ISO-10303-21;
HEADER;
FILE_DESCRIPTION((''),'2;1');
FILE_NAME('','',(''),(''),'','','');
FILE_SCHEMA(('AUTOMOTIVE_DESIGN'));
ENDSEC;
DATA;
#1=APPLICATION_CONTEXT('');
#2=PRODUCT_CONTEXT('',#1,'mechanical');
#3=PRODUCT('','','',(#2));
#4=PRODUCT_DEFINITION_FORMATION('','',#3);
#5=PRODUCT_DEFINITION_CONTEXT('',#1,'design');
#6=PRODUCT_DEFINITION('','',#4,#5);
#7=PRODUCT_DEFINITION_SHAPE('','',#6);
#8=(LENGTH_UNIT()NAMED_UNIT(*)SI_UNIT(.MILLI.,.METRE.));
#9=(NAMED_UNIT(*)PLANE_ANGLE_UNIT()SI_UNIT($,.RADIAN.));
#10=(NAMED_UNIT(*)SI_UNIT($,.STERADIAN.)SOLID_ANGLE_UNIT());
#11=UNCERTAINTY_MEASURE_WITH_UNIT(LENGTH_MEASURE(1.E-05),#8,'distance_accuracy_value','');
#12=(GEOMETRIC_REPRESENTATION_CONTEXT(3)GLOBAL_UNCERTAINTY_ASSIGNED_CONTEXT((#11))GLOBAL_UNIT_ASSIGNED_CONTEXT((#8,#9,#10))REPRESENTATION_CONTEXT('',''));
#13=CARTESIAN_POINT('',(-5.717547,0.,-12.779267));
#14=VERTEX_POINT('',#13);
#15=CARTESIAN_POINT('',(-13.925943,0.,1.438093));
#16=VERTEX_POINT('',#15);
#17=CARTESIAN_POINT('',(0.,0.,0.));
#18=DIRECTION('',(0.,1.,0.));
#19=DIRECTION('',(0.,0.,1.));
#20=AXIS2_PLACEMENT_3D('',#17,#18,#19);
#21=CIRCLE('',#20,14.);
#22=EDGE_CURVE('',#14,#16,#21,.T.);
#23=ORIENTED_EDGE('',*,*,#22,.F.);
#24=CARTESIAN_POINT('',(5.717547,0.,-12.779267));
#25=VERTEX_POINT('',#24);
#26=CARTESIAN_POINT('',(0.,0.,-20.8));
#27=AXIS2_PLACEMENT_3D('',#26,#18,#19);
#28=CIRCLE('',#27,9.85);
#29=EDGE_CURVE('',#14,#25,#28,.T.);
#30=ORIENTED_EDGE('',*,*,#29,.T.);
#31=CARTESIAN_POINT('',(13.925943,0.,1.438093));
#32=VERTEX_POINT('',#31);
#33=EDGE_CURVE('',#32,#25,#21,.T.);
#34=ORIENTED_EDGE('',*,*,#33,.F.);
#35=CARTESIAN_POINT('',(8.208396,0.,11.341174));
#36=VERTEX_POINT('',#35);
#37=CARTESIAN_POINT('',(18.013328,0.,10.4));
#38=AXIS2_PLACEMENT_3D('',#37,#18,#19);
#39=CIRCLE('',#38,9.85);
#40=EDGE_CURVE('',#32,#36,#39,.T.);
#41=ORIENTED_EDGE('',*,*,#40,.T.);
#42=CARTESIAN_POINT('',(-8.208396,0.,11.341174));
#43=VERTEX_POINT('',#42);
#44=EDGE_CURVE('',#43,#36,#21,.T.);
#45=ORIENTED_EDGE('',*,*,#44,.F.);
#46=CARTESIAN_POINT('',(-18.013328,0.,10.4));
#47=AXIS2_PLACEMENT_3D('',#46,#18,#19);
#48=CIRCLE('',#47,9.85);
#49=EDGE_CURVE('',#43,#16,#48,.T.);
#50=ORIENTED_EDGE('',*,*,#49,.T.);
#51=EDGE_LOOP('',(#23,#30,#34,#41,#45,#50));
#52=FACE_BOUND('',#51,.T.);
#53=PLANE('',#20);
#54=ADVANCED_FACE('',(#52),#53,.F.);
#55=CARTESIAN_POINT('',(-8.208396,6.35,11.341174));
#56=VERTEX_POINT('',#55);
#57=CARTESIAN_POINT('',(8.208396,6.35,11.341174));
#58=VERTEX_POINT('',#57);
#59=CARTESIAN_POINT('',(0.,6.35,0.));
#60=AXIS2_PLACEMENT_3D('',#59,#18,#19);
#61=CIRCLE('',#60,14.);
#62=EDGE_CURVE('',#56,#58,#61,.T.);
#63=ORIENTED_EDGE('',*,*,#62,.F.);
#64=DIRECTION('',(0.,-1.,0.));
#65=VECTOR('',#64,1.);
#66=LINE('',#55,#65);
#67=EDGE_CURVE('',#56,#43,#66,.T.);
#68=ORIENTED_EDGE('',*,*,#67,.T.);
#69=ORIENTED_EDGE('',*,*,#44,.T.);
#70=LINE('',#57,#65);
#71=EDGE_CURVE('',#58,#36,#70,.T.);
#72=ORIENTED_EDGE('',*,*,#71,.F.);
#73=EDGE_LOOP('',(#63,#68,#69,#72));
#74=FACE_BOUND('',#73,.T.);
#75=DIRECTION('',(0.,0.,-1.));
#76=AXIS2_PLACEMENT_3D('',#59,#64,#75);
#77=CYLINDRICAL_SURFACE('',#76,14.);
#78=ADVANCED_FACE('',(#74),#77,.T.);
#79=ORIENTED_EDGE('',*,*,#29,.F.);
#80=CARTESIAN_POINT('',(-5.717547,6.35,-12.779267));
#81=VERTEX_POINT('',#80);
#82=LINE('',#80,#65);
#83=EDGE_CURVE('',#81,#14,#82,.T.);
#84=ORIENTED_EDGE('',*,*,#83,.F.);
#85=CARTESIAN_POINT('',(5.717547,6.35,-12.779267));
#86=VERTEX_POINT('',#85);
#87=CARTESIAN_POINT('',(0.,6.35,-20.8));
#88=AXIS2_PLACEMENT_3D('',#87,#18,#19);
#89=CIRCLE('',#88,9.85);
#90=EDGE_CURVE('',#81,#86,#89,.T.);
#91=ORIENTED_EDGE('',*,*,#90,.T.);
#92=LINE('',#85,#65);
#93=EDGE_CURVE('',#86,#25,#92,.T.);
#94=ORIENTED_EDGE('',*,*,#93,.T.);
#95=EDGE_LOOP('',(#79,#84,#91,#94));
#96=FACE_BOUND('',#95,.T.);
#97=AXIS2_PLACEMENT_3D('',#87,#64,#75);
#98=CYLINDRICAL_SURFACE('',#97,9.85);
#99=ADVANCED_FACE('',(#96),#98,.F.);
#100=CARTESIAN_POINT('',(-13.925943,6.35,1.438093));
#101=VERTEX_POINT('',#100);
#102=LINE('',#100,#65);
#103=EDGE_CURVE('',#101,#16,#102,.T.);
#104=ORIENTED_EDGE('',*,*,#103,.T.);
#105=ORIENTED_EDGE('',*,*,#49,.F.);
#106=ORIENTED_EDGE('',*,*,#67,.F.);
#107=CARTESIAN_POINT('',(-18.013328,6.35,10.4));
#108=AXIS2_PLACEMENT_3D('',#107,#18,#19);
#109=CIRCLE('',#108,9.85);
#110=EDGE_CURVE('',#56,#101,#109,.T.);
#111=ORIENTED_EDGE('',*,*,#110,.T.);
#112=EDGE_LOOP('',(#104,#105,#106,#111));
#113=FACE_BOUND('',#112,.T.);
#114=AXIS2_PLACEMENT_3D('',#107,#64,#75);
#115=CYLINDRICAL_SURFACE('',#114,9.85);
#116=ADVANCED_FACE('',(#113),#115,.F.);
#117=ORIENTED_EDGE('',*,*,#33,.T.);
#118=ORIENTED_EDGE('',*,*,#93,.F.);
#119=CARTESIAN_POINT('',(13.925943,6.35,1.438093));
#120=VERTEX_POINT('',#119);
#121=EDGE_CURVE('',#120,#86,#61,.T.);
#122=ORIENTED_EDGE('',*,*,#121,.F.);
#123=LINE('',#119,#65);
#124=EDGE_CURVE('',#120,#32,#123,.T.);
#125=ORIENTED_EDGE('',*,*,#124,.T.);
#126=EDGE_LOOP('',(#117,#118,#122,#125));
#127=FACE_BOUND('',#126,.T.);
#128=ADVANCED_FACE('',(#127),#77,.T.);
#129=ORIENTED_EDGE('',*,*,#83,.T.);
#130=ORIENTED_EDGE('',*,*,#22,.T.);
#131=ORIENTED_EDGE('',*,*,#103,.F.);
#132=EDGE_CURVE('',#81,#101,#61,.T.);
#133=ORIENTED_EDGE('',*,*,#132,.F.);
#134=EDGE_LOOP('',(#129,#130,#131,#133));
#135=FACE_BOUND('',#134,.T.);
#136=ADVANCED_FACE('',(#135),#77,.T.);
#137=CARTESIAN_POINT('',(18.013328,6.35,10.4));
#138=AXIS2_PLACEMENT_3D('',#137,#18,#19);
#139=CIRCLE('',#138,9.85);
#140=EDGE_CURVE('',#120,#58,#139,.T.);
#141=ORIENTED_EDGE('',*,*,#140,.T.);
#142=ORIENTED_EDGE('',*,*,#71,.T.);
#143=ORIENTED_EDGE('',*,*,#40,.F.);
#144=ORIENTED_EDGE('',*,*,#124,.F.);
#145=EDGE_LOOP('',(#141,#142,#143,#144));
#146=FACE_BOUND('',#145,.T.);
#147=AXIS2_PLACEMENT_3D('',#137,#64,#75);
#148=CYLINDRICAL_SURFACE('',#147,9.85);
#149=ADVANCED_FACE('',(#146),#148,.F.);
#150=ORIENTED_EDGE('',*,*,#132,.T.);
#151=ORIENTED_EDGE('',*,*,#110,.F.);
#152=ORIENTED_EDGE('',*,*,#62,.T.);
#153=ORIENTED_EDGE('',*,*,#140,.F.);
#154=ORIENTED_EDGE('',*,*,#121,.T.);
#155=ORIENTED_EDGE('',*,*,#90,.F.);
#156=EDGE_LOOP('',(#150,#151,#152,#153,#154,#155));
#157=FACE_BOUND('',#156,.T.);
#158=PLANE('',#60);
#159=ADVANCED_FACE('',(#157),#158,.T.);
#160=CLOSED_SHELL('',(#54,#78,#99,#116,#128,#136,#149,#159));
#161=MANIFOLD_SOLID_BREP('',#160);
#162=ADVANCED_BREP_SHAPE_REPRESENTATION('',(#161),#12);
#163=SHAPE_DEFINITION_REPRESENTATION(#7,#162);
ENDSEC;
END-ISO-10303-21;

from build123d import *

# Parameters (mm, degrees)
BOSS_EXTRUDE1_DEPTH = 6.35


with BuildPart() as part:
    # Sketch1 → Boss-Extrude1 (new body)
    with BuildSketch(Plane(origin=(0, 0, 0), x_dir=(1, 0, 0), z_dir=(0, 1, 0))):
        with BuildLine():
            ThreePointArc((13.925943024, -1.438092792), (13.981473498, -0.719999187), (14, 0))
            ThreePointArc((14, 0), (11.748311638, 7.614274335), (5.717546621, 12.779266827))
            ThreePointArc((5.717546621, 12.779266827), (0, 10.95), (-5.717546621, 12.779266827))
            ThreePointArc((-5.717546621, 12.779266827), (-12.124355653, 7), (-13.925943024, -1.438092792))
            ThreePointArc((-13.925943024, -1.438092792), (-9.728304381, -5.072629445), (-8.163328399, -10.4))
            ThreePointArc((-8.163328399, -10.4), (-8.174601851, -10.871126227), (-8.208396403, -11.341174035))
            ThreePointArc((-8.208396403, -11.341174035), (0, -14), (8.208396403, -11.341174035))
            ThreePointArc((8.208396403, -11.341174035), (9.482978171, -5.475), (13.925943024, -1.438092792))
        make_face()
    extrude(amount=BOSS_EXTRUDE1_DEPTH)


solid = part.part
